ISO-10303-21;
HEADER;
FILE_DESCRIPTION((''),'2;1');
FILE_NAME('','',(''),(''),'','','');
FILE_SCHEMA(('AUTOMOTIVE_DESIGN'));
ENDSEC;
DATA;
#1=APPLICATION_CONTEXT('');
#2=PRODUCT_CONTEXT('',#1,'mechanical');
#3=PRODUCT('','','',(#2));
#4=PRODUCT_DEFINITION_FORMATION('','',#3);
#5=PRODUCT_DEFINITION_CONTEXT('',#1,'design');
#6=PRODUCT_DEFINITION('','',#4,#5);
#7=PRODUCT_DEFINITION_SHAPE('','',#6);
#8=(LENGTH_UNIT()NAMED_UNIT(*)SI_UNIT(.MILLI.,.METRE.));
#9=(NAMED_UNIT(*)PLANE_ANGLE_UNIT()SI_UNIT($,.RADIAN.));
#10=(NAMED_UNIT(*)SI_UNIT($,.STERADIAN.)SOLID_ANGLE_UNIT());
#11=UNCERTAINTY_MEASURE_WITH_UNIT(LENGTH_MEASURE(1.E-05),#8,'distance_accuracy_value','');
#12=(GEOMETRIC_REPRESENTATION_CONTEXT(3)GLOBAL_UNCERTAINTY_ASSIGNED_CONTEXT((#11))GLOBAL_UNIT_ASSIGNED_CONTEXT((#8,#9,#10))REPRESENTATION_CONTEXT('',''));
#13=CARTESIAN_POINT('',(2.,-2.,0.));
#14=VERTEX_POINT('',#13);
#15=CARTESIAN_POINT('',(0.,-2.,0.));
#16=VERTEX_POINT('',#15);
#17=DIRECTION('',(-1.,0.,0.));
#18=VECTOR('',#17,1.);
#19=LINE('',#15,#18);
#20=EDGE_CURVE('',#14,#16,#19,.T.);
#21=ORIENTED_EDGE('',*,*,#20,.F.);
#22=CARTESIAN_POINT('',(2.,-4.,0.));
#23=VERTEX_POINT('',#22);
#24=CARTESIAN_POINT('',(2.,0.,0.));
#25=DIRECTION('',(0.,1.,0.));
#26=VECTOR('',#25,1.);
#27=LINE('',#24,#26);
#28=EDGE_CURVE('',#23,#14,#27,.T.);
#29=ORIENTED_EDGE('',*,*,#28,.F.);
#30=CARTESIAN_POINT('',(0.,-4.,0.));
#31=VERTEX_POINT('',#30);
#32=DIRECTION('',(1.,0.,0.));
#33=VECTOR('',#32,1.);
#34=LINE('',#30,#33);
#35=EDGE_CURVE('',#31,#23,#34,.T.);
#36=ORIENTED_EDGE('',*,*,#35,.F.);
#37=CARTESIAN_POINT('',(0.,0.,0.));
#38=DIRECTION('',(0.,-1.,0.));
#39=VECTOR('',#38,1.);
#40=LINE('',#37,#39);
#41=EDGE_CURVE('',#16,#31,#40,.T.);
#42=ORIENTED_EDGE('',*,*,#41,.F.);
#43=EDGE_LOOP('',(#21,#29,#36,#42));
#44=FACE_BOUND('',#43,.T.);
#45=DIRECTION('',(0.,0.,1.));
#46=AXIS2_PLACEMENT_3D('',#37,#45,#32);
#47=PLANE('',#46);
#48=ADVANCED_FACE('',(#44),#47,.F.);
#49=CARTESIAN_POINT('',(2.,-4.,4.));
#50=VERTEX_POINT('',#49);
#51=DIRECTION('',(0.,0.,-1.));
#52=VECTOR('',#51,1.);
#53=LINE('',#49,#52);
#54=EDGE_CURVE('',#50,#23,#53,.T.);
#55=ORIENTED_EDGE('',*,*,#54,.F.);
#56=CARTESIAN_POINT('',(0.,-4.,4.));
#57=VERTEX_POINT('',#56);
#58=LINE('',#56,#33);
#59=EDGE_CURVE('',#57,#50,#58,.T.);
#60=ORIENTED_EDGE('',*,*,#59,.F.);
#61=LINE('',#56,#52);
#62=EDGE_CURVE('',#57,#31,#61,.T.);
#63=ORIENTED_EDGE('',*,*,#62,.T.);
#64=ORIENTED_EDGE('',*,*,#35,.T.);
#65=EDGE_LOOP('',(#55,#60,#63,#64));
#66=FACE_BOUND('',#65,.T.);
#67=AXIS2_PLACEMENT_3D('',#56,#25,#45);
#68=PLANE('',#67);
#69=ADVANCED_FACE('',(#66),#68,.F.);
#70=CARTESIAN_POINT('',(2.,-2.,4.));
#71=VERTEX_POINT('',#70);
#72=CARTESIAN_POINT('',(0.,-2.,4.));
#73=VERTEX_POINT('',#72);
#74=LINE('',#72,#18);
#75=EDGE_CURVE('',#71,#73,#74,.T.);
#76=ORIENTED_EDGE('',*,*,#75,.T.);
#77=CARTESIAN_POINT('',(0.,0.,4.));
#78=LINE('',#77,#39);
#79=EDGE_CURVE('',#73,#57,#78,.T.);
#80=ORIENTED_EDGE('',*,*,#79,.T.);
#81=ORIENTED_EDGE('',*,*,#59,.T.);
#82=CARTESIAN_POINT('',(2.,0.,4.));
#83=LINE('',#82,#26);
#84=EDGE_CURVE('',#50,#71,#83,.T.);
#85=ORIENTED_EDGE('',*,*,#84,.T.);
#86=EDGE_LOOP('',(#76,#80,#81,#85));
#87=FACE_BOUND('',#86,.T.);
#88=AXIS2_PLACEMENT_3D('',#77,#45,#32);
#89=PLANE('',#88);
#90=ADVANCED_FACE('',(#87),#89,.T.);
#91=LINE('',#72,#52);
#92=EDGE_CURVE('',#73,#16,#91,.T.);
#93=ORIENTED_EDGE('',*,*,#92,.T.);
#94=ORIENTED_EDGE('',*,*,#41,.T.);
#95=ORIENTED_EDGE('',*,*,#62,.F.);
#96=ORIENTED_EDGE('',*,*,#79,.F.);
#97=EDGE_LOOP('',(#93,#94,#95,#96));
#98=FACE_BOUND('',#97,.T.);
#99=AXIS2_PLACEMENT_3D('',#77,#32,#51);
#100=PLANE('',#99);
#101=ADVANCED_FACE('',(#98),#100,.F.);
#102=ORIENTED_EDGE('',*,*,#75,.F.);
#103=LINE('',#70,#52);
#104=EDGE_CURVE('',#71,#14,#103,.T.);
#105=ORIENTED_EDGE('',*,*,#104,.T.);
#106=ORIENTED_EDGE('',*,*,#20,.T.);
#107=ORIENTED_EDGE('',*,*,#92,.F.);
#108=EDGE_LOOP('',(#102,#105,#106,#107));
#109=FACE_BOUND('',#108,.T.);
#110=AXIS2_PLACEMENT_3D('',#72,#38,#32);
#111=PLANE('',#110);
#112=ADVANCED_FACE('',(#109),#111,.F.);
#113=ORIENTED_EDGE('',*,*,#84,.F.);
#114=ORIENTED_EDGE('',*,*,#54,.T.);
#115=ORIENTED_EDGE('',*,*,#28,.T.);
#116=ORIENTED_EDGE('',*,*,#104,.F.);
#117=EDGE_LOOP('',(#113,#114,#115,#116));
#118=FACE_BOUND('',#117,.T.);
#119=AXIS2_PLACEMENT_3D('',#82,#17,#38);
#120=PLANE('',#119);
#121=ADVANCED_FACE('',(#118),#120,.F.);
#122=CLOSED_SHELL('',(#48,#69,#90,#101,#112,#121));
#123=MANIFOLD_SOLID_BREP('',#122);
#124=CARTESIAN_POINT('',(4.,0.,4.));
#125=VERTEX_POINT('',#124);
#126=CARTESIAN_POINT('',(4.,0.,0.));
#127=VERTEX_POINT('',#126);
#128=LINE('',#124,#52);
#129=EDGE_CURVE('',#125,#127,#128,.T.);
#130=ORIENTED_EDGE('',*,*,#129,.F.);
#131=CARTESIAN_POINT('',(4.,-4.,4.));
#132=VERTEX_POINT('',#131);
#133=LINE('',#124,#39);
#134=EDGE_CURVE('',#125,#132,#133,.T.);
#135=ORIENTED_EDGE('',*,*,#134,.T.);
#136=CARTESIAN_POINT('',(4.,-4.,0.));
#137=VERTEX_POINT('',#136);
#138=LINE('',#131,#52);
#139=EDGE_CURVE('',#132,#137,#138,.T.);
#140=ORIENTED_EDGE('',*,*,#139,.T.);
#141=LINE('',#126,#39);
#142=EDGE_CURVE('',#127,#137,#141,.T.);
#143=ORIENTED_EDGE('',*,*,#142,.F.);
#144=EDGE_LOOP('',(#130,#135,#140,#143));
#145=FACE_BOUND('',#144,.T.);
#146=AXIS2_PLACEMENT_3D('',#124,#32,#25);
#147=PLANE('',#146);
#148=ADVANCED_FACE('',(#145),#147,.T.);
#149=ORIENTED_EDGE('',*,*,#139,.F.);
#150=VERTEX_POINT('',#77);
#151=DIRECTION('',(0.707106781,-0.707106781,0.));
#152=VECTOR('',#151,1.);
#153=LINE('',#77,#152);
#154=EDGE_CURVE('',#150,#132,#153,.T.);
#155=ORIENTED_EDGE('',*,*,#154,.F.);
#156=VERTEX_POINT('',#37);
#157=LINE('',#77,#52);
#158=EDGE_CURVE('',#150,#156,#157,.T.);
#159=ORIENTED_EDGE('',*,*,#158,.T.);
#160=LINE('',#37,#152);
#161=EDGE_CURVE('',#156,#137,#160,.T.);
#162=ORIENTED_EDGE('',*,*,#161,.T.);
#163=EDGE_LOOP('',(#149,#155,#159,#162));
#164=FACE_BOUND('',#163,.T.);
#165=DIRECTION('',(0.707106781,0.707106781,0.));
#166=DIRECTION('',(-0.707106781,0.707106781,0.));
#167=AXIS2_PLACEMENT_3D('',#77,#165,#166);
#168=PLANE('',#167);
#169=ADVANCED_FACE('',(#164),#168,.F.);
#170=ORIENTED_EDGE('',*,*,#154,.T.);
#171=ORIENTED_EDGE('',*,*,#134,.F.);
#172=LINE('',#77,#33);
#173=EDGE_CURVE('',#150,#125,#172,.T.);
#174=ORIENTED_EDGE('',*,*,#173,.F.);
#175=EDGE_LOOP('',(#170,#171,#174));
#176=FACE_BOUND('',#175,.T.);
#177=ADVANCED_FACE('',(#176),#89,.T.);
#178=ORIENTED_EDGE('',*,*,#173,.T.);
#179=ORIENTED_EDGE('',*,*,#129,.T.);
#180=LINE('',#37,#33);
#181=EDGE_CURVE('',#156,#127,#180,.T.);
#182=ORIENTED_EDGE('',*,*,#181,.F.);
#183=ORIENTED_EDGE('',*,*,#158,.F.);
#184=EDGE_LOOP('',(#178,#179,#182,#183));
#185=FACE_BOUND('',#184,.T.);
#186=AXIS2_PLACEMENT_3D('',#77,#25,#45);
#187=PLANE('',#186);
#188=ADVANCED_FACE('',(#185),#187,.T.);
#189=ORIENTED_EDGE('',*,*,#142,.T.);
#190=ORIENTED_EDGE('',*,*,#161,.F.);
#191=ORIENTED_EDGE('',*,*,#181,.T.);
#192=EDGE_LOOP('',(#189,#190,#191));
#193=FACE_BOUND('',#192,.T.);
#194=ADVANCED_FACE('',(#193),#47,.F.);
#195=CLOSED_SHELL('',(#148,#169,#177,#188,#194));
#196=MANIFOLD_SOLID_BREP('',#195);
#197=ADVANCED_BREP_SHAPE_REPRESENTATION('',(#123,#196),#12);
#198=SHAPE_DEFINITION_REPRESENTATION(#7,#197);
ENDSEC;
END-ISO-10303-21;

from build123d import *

# Parameters (mm, degrees)
BOSS_EXTRUDE1_DEPTH   = 4
SKETCH1_W             = 2
SKETCH1_H             = 2
BOSS_EXTRUDE1_2_DEPTH = 4


with BuildPart() as part:
    # Sketch1 → Boss-Extrude1 (new body)
    with BuildSketch(Plane.XY):
        Polygon((0, 0), (4, -4), (4, 0), align=None)
    extrude(amount=BOSS_EXTRUDE1_DEPTH)


with BuildPart() as body_2:
    # Sketch1 → Boss-Extrude1 2 (new body)
    with BuildSketch(Plane.XY):
        with Locations((1, -3)):
            Rectangle(SKETCH1_W, SKETCH1_H)
    extrude(amount=BOSS_EXTRUDE1_2_DEPTH)


solid = Compound([part.part, body_2.part])
